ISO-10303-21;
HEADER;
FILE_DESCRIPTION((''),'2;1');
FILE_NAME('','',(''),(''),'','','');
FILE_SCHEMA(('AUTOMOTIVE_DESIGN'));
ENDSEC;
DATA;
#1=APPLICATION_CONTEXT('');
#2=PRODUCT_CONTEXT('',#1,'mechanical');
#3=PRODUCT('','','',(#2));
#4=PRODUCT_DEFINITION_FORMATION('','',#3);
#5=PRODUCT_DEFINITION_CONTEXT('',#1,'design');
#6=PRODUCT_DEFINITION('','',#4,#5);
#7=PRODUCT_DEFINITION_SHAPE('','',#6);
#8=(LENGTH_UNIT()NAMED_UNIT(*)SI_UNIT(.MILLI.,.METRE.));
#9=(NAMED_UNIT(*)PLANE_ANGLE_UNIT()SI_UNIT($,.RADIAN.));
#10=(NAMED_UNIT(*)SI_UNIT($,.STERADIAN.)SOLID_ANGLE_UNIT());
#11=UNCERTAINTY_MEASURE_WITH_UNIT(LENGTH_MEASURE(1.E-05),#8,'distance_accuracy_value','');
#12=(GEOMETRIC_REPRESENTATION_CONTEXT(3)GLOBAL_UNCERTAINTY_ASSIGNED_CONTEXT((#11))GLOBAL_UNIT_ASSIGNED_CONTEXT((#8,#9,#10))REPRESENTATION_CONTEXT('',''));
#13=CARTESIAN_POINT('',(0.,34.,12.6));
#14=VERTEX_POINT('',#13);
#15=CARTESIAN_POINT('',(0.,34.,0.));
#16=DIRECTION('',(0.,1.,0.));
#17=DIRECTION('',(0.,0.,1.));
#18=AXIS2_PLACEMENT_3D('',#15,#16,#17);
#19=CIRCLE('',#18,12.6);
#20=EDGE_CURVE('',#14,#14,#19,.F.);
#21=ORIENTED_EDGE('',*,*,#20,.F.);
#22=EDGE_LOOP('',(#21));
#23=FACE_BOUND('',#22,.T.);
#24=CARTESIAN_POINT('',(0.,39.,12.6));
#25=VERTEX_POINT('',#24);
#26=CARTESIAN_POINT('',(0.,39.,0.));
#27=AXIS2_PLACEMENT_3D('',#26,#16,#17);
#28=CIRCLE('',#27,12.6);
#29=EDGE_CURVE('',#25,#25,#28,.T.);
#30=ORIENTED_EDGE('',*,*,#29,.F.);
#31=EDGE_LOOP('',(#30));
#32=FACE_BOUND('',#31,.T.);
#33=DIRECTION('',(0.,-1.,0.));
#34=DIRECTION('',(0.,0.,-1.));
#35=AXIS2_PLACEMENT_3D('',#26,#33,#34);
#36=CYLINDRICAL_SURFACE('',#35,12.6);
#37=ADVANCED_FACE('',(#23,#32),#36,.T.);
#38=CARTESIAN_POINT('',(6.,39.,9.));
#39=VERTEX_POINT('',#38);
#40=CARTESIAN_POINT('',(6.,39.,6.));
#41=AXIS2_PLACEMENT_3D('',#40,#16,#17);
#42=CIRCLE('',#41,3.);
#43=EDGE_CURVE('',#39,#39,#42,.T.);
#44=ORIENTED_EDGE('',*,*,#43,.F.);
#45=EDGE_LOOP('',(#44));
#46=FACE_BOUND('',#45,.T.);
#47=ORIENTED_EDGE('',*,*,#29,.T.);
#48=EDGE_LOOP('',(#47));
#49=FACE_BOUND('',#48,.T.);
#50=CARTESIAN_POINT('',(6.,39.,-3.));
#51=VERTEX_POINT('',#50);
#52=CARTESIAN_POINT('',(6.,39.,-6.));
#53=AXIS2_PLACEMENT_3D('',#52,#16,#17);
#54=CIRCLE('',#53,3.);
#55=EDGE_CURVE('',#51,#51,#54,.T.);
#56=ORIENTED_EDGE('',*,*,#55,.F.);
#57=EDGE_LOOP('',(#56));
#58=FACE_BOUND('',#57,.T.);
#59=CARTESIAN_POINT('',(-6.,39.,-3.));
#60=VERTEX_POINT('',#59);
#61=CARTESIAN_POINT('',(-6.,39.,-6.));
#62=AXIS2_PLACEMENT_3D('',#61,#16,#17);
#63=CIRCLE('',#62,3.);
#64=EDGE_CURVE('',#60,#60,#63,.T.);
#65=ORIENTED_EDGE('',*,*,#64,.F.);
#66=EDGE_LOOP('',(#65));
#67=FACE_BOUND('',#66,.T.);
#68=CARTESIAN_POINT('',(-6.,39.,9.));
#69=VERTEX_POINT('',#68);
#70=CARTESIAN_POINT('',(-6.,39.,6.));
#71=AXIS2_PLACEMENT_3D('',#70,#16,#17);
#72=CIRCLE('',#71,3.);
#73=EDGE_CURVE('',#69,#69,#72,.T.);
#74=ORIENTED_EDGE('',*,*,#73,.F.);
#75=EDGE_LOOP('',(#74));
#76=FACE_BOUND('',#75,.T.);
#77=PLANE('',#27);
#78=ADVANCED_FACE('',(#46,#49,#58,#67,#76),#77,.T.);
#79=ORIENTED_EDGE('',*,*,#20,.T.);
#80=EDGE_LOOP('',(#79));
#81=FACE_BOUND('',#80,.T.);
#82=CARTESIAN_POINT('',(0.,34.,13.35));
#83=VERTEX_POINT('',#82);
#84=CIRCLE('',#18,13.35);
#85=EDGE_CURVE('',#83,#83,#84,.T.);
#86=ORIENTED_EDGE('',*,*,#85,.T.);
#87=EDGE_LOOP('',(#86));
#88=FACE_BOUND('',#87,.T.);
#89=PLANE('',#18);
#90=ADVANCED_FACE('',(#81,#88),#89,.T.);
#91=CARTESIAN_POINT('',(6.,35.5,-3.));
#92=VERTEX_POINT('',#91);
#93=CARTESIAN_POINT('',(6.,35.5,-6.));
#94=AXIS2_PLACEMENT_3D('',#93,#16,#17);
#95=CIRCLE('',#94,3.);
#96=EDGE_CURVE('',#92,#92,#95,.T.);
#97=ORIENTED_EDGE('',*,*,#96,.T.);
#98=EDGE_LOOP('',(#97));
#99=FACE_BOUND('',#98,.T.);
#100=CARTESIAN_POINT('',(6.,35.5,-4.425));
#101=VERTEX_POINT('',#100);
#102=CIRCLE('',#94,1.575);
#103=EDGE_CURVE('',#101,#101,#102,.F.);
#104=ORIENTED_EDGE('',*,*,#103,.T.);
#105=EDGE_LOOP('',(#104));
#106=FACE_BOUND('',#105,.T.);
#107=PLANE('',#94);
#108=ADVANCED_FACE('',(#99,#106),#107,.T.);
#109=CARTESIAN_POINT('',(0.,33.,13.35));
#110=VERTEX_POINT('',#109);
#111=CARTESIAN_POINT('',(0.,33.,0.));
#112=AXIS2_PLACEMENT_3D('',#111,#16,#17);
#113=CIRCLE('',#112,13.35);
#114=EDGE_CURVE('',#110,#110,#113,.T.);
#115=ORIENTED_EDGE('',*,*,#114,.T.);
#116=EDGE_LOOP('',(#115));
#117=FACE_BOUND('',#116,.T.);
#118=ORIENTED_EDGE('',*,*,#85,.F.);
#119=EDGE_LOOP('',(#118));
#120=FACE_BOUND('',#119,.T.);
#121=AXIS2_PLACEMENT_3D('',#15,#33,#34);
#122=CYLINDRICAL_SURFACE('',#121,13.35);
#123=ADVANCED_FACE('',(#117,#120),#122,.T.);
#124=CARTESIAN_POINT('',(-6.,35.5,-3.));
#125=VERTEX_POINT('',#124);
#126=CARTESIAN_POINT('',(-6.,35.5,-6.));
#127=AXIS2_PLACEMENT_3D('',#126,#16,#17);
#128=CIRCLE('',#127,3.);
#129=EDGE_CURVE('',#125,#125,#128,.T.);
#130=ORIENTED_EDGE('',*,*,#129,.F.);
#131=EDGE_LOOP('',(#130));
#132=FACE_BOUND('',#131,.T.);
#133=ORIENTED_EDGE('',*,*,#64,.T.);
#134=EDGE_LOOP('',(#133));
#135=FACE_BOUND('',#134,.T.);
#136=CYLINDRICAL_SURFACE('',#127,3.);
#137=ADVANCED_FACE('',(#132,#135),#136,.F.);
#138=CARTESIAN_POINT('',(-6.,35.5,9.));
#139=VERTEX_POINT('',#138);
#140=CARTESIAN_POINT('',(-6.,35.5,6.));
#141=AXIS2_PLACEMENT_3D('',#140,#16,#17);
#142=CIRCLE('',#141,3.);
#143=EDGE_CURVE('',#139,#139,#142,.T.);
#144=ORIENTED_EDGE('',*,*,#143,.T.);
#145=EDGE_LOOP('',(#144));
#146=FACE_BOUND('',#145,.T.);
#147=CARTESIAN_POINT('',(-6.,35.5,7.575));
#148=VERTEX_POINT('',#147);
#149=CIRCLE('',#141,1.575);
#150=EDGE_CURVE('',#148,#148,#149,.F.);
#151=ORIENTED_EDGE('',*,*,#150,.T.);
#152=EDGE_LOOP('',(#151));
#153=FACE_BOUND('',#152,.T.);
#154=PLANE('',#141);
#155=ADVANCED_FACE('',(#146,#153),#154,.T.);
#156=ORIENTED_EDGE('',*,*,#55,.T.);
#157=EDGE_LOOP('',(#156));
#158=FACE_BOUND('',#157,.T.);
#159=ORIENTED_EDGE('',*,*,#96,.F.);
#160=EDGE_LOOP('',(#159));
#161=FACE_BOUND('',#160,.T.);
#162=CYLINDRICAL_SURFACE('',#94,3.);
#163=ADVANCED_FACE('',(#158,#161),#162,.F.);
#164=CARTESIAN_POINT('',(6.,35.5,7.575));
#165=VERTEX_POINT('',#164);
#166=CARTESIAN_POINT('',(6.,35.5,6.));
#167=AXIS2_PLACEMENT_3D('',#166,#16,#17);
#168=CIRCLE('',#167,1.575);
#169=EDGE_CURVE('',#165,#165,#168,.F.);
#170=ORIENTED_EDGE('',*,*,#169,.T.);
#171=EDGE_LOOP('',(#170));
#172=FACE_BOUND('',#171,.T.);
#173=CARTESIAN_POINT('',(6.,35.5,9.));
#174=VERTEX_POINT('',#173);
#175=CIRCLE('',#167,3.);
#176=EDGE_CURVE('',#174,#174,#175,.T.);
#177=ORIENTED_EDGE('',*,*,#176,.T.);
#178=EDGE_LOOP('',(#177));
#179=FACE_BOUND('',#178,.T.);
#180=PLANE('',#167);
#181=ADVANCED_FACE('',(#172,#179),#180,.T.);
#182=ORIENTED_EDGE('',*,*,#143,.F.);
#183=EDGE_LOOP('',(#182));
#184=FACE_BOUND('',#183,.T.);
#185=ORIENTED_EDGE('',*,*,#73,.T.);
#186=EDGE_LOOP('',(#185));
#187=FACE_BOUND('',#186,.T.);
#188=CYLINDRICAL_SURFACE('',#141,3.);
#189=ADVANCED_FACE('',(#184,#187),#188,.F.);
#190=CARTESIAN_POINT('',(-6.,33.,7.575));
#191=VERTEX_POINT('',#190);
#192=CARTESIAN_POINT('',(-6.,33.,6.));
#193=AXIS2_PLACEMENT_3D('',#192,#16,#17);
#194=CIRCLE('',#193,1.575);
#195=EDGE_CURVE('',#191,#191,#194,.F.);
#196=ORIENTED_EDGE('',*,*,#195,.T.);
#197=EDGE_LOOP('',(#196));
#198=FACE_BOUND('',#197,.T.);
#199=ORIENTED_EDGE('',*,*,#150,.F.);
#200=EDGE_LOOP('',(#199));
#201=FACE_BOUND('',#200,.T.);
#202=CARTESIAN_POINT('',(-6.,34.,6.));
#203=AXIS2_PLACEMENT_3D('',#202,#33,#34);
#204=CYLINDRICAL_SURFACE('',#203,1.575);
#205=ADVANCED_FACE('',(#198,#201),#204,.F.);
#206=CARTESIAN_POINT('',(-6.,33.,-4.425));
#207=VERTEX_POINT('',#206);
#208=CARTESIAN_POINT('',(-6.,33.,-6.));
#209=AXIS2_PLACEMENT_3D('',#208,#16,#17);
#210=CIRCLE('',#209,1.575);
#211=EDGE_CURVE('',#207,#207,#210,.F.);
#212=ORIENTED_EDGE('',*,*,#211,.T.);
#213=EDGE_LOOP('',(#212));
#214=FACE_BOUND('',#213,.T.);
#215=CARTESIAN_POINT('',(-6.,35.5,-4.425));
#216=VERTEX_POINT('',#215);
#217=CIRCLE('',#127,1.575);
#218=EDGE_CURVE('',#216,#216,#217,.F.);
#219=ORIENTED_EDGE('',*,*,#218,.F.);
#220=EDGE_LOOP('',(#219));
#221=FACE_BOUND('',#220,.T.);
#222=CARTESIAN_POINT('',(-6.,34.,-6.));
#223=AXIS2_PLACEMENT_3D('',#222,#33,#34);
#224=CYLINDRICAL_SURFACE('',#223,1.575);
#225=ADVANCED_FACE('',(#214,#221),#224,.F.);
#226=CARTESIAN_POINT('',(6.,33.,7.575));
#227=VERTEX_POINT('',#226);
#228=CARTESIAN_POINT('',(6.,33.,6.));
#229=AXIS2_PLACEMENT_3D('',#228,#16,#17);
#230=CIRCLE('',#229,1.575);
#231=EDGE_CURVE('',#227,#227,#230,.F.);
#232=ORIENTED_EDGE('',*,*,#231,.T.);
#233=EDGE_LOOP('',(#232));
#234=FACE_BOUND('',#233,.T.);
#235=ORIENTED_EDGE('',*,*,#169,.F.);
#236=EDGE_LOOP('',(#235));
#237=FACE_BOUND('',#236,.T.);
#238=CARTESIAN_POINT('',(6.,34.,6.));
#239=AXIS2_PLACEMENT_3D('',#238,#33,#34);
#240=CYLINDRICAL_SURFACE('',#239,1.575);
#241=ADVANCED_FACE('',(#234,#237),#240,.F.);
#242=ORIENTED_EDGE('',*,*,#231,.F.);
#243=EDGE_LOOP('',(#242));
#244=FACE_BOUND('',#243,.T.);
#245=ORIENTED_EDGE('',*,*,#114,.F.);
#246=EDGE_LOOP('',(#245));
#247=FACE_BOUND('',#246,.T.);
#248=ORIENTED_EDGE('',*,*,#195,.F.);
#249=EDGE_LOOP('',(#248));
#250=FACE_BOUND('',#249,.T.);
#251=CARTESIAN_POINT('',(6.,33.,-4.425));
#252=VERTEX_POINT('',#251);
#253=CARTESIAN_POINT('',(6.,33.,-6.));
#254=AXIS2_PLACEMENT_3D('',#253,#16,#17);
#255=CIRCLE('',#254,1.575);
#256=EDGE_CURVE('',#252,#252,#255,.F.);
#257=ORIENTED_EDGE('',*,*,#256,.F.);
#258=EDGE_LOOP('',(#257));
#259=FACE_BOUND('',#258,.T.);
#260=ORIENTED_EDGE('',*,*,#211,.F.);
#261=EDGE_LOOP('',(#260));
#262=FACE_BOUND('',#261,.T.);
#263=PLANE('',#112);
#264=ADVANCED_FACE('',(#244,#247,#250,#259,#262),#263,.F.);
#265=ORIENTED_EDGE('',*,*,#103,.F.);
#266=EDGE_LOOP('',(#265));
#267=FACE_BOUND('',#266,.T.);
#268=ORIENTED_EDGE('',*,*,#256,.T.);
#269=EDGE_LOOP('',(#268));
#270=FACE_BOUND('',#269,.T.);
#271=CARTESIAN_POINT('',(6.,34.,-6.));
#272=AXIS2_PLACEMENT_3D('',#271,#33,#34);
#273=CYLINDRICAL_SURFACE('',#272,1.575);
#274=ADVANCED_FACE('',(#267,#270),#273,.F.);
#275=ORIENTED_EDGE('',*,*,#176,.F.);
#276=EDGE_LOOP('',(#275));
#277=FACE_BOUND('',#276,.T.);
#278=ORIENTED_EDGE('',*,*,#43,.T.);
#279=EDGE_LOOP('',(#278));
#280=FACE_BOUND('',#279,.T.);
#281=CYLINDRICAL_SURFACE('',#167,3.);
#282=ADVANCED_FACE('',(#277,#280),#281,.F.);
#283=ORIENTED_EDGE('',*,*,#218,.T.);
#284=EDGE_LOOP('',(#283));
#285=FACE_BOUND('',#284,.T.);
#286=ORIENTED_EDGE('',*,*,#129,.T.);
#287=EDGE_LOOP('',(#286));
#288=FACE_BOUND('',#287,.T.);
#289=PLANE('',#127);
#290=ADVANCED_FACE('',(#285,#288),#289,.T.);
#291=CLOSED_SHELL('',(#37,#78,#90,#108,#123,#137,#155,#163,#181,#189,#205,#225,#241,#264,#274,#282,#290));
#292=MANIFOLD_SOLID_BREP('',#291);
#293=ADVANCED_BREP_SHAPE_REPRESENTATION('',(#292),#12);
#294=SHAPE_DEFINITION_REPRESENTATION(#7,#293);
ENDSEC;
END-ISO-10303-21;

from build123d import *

# Parameters (mm, degrees)
SKETCH1_R           = 13.35
SKETCH1_R_2         = 12.6
SKETCH1_R_3         = 1.575
BOSS_EXTRUDE1_DEPTH = 1
SKETCH1_3_R         = 12.6
SKETCH1_3_R_2       = 1.575
BOSS_EXTRUDE2_DEPTH = 6
SKETCH2_R           = 3
CUT_EXTRUDE1_DEPTH  = 3.5


with BuildPart() as part:
    # Sketch1 → Boss-Extrude1 (new body)
    # profile 1 of 2: a face of its own
    with BuildSketch(Plane(origin=(0, 33, 0), x_dir=(1, 0, 0), z_dir=(0, 1, 0))):
        with Locations(Location((0, 0, 0), (0, 0, 270))):
            Circle(SKETCH1_R)
        Circle(SKETCH1_R_2, mode=Mode.SUBTRACT)
    # profile 2 of 2: a face of its own
    with BuildSketch(Plane(origin=(0, 33, 0), x_dir=(1, 0, 0), z_dir=(0, 1, 0))):
        Circle(SKETCH1_R_2)
        with Locations(Location((6, -6, 0), (0, 0, 270))):
            Circle(SKETCH1_R_3, mode=Mode.SUBTRACT)
        with Locations(Location((-6, 6, 0), (0, 0, 270))):
            Circle(SKETCH1_R_3, mode=Mode.SUBTRACT)
        with Locations(Location((6, 6, 0), (0, 0, 270))):
            Circle(SKETCH1_R_3, mode=Mode.SUBTRACT)
        with Locations(Location((-6, -6, 0), (0, 0, 270))):
            Circle(SKETCH1_R_3, mode=Mode.SUBTRACT)
    extrude(amount=BOSS_EXTRUDE1_DEPTH)

    # Sketch1<3> → Boss-Extrude2 (add)
    with BuildSketch(Plane(origin=(0, 33, 0), x_dir=(1, 0, 0), z_dir=(0, 1, 0))):
        with Locations(Location((0, 0, 0), (0, 0, 270))):
            Circle(SKETCH1_3_R)
        with Locations(Location((6, -6, 0), (0, 0, 270))):
            Circle(SKETCH1_3_R_2, mode=Mode.SUBTRACT)
        with Locations(Location((-6, 6, 0), (0, 0, 270))):
            Circle(SKETCH1_3_R_2, mode=Mode.SUBTRACT)
        with Locations(Location((6, 6, 0), (0, 0, 270))):
            Circle(SKETCH1_3_R_2, mode=Mode.SUBTRACT)
        with Locations(Location((-6, -6, 0), (0, 0, 270))):
            Circle(SKETCH1_3_R_2, mode=Mode.SUBTRACT)
    extrude(amount=BOSS_EXTRUDE2_DEPTH)

    # Sketch2 → Cut-Extrude1 (cut)
    with BuildSketch(Plane(origin=(0, 39, 0), x_dir=(1, 0, 0), z_dir=(0, 1, 0))):
        with Locations(Location((-6, 6, 0), (0, 0, 270))):
            Circle(SKETCH2_R)
        with Locations(Location((6, 6, 0), (0, 0, 270))):
            Circle(SKETCH2_R)
        with Locations(Location((6, -6, 0), (0, 0, 270))):
            Circle(SKETCH2_R)
        with Locations(Location((-6, -6, 0), (0, 0, 270))):
            Circle(SKETCH2_R)
    extrude(amount=-CUT_EXTRUDE1_DEPTH, mode=Mode.SUBTRACT)


solid = part.part
